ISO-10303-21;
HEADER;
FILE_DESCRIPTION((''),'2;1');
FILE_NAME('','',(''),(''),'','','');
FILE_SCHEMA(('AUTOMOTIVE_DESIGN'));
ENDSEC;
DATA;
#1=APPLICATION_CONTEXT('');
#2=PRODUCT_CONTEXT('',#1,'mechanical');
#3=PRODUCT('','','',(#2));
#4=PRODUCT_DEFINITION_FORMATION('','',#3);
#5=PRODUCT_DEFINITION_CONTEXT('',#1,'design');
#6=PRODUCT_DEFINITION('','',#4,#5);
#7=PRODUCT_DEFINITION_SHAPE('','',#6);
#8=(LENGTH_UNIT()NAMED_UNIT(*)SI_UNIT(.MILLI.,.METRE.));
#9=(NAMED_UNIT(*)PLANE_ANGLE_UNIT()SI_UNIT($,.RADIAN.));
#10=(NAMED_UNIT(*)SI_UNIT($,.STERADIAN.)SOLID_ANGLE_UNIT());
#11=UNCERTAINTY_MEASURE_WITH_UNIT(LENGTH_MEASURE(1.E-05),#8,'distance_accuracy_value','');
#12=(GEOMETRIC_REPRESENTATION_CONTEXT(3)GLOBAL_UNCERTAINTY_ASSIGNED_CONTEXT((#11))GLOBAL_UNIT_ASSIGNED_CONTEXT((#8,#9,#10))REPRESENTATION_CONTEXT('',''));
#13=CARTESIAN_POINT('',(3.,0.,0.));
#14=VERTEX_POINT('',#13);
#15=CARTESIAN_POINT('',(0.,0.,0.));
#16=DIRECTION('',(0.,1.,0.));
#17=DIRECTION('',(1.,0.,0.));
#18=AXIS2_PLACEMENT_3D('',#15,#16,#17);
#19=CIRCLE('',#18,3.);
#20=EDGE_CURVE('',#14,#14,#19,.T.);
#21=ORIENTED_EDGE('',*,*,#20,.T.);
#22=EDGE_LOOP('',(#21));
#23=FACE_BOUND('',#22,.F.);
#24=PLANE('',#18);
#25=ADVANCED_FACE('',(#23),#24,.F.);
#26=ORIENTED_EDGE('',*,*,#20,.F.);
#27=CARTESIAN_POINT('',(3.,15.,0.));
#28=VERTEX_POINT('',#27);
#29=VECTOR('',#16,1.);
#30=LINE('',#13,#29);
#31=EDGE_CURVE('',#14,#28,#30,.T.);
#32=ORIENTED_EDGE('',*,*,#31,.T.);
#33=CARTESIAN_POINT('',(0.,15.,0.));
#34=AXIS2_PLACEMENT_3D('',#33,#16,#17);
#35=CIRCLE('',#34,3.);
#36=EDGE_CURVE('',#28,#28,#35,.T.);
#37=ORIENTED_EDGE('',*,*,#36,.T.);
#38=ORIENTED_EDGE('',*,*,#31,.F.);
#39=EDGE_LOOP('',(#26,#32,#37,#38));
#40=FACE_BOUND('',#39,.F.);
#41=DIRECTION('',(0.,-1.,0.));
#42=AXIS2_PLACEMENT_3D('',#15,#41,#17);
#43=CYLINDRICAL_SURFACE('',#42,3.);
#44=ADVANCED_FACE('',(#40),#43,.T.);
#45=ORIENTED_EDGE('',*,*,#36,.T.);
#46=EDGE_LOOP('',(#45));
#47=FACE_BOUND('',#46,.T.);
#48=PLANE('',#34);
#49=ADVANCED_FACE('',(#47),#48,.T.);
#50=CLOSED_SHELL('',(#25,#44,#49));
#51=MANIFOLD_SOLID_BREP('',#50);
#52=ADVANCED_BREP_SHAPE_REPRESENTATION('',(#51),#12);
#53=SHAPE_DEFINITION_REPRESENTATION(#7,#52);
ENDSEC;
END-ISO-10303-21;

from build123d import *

# Parameters (mm, degrees)
SKETCH_1_R      = 3
EXTRUDE_1_DEPTH = 15


with BuildPart() as part:
    # Эскиз1 → Бобышка-Вытянуть1 (new body)
    with BuildSketch(Plane(origin=(0, 0, 0), x_dir=(1, 0, 0), z_dir=(0, 1, 0))):
        Circle(SKETCH_1_R)
    extrude(amount=EXTRUDE_1_DEPTH)


solid = part.part
